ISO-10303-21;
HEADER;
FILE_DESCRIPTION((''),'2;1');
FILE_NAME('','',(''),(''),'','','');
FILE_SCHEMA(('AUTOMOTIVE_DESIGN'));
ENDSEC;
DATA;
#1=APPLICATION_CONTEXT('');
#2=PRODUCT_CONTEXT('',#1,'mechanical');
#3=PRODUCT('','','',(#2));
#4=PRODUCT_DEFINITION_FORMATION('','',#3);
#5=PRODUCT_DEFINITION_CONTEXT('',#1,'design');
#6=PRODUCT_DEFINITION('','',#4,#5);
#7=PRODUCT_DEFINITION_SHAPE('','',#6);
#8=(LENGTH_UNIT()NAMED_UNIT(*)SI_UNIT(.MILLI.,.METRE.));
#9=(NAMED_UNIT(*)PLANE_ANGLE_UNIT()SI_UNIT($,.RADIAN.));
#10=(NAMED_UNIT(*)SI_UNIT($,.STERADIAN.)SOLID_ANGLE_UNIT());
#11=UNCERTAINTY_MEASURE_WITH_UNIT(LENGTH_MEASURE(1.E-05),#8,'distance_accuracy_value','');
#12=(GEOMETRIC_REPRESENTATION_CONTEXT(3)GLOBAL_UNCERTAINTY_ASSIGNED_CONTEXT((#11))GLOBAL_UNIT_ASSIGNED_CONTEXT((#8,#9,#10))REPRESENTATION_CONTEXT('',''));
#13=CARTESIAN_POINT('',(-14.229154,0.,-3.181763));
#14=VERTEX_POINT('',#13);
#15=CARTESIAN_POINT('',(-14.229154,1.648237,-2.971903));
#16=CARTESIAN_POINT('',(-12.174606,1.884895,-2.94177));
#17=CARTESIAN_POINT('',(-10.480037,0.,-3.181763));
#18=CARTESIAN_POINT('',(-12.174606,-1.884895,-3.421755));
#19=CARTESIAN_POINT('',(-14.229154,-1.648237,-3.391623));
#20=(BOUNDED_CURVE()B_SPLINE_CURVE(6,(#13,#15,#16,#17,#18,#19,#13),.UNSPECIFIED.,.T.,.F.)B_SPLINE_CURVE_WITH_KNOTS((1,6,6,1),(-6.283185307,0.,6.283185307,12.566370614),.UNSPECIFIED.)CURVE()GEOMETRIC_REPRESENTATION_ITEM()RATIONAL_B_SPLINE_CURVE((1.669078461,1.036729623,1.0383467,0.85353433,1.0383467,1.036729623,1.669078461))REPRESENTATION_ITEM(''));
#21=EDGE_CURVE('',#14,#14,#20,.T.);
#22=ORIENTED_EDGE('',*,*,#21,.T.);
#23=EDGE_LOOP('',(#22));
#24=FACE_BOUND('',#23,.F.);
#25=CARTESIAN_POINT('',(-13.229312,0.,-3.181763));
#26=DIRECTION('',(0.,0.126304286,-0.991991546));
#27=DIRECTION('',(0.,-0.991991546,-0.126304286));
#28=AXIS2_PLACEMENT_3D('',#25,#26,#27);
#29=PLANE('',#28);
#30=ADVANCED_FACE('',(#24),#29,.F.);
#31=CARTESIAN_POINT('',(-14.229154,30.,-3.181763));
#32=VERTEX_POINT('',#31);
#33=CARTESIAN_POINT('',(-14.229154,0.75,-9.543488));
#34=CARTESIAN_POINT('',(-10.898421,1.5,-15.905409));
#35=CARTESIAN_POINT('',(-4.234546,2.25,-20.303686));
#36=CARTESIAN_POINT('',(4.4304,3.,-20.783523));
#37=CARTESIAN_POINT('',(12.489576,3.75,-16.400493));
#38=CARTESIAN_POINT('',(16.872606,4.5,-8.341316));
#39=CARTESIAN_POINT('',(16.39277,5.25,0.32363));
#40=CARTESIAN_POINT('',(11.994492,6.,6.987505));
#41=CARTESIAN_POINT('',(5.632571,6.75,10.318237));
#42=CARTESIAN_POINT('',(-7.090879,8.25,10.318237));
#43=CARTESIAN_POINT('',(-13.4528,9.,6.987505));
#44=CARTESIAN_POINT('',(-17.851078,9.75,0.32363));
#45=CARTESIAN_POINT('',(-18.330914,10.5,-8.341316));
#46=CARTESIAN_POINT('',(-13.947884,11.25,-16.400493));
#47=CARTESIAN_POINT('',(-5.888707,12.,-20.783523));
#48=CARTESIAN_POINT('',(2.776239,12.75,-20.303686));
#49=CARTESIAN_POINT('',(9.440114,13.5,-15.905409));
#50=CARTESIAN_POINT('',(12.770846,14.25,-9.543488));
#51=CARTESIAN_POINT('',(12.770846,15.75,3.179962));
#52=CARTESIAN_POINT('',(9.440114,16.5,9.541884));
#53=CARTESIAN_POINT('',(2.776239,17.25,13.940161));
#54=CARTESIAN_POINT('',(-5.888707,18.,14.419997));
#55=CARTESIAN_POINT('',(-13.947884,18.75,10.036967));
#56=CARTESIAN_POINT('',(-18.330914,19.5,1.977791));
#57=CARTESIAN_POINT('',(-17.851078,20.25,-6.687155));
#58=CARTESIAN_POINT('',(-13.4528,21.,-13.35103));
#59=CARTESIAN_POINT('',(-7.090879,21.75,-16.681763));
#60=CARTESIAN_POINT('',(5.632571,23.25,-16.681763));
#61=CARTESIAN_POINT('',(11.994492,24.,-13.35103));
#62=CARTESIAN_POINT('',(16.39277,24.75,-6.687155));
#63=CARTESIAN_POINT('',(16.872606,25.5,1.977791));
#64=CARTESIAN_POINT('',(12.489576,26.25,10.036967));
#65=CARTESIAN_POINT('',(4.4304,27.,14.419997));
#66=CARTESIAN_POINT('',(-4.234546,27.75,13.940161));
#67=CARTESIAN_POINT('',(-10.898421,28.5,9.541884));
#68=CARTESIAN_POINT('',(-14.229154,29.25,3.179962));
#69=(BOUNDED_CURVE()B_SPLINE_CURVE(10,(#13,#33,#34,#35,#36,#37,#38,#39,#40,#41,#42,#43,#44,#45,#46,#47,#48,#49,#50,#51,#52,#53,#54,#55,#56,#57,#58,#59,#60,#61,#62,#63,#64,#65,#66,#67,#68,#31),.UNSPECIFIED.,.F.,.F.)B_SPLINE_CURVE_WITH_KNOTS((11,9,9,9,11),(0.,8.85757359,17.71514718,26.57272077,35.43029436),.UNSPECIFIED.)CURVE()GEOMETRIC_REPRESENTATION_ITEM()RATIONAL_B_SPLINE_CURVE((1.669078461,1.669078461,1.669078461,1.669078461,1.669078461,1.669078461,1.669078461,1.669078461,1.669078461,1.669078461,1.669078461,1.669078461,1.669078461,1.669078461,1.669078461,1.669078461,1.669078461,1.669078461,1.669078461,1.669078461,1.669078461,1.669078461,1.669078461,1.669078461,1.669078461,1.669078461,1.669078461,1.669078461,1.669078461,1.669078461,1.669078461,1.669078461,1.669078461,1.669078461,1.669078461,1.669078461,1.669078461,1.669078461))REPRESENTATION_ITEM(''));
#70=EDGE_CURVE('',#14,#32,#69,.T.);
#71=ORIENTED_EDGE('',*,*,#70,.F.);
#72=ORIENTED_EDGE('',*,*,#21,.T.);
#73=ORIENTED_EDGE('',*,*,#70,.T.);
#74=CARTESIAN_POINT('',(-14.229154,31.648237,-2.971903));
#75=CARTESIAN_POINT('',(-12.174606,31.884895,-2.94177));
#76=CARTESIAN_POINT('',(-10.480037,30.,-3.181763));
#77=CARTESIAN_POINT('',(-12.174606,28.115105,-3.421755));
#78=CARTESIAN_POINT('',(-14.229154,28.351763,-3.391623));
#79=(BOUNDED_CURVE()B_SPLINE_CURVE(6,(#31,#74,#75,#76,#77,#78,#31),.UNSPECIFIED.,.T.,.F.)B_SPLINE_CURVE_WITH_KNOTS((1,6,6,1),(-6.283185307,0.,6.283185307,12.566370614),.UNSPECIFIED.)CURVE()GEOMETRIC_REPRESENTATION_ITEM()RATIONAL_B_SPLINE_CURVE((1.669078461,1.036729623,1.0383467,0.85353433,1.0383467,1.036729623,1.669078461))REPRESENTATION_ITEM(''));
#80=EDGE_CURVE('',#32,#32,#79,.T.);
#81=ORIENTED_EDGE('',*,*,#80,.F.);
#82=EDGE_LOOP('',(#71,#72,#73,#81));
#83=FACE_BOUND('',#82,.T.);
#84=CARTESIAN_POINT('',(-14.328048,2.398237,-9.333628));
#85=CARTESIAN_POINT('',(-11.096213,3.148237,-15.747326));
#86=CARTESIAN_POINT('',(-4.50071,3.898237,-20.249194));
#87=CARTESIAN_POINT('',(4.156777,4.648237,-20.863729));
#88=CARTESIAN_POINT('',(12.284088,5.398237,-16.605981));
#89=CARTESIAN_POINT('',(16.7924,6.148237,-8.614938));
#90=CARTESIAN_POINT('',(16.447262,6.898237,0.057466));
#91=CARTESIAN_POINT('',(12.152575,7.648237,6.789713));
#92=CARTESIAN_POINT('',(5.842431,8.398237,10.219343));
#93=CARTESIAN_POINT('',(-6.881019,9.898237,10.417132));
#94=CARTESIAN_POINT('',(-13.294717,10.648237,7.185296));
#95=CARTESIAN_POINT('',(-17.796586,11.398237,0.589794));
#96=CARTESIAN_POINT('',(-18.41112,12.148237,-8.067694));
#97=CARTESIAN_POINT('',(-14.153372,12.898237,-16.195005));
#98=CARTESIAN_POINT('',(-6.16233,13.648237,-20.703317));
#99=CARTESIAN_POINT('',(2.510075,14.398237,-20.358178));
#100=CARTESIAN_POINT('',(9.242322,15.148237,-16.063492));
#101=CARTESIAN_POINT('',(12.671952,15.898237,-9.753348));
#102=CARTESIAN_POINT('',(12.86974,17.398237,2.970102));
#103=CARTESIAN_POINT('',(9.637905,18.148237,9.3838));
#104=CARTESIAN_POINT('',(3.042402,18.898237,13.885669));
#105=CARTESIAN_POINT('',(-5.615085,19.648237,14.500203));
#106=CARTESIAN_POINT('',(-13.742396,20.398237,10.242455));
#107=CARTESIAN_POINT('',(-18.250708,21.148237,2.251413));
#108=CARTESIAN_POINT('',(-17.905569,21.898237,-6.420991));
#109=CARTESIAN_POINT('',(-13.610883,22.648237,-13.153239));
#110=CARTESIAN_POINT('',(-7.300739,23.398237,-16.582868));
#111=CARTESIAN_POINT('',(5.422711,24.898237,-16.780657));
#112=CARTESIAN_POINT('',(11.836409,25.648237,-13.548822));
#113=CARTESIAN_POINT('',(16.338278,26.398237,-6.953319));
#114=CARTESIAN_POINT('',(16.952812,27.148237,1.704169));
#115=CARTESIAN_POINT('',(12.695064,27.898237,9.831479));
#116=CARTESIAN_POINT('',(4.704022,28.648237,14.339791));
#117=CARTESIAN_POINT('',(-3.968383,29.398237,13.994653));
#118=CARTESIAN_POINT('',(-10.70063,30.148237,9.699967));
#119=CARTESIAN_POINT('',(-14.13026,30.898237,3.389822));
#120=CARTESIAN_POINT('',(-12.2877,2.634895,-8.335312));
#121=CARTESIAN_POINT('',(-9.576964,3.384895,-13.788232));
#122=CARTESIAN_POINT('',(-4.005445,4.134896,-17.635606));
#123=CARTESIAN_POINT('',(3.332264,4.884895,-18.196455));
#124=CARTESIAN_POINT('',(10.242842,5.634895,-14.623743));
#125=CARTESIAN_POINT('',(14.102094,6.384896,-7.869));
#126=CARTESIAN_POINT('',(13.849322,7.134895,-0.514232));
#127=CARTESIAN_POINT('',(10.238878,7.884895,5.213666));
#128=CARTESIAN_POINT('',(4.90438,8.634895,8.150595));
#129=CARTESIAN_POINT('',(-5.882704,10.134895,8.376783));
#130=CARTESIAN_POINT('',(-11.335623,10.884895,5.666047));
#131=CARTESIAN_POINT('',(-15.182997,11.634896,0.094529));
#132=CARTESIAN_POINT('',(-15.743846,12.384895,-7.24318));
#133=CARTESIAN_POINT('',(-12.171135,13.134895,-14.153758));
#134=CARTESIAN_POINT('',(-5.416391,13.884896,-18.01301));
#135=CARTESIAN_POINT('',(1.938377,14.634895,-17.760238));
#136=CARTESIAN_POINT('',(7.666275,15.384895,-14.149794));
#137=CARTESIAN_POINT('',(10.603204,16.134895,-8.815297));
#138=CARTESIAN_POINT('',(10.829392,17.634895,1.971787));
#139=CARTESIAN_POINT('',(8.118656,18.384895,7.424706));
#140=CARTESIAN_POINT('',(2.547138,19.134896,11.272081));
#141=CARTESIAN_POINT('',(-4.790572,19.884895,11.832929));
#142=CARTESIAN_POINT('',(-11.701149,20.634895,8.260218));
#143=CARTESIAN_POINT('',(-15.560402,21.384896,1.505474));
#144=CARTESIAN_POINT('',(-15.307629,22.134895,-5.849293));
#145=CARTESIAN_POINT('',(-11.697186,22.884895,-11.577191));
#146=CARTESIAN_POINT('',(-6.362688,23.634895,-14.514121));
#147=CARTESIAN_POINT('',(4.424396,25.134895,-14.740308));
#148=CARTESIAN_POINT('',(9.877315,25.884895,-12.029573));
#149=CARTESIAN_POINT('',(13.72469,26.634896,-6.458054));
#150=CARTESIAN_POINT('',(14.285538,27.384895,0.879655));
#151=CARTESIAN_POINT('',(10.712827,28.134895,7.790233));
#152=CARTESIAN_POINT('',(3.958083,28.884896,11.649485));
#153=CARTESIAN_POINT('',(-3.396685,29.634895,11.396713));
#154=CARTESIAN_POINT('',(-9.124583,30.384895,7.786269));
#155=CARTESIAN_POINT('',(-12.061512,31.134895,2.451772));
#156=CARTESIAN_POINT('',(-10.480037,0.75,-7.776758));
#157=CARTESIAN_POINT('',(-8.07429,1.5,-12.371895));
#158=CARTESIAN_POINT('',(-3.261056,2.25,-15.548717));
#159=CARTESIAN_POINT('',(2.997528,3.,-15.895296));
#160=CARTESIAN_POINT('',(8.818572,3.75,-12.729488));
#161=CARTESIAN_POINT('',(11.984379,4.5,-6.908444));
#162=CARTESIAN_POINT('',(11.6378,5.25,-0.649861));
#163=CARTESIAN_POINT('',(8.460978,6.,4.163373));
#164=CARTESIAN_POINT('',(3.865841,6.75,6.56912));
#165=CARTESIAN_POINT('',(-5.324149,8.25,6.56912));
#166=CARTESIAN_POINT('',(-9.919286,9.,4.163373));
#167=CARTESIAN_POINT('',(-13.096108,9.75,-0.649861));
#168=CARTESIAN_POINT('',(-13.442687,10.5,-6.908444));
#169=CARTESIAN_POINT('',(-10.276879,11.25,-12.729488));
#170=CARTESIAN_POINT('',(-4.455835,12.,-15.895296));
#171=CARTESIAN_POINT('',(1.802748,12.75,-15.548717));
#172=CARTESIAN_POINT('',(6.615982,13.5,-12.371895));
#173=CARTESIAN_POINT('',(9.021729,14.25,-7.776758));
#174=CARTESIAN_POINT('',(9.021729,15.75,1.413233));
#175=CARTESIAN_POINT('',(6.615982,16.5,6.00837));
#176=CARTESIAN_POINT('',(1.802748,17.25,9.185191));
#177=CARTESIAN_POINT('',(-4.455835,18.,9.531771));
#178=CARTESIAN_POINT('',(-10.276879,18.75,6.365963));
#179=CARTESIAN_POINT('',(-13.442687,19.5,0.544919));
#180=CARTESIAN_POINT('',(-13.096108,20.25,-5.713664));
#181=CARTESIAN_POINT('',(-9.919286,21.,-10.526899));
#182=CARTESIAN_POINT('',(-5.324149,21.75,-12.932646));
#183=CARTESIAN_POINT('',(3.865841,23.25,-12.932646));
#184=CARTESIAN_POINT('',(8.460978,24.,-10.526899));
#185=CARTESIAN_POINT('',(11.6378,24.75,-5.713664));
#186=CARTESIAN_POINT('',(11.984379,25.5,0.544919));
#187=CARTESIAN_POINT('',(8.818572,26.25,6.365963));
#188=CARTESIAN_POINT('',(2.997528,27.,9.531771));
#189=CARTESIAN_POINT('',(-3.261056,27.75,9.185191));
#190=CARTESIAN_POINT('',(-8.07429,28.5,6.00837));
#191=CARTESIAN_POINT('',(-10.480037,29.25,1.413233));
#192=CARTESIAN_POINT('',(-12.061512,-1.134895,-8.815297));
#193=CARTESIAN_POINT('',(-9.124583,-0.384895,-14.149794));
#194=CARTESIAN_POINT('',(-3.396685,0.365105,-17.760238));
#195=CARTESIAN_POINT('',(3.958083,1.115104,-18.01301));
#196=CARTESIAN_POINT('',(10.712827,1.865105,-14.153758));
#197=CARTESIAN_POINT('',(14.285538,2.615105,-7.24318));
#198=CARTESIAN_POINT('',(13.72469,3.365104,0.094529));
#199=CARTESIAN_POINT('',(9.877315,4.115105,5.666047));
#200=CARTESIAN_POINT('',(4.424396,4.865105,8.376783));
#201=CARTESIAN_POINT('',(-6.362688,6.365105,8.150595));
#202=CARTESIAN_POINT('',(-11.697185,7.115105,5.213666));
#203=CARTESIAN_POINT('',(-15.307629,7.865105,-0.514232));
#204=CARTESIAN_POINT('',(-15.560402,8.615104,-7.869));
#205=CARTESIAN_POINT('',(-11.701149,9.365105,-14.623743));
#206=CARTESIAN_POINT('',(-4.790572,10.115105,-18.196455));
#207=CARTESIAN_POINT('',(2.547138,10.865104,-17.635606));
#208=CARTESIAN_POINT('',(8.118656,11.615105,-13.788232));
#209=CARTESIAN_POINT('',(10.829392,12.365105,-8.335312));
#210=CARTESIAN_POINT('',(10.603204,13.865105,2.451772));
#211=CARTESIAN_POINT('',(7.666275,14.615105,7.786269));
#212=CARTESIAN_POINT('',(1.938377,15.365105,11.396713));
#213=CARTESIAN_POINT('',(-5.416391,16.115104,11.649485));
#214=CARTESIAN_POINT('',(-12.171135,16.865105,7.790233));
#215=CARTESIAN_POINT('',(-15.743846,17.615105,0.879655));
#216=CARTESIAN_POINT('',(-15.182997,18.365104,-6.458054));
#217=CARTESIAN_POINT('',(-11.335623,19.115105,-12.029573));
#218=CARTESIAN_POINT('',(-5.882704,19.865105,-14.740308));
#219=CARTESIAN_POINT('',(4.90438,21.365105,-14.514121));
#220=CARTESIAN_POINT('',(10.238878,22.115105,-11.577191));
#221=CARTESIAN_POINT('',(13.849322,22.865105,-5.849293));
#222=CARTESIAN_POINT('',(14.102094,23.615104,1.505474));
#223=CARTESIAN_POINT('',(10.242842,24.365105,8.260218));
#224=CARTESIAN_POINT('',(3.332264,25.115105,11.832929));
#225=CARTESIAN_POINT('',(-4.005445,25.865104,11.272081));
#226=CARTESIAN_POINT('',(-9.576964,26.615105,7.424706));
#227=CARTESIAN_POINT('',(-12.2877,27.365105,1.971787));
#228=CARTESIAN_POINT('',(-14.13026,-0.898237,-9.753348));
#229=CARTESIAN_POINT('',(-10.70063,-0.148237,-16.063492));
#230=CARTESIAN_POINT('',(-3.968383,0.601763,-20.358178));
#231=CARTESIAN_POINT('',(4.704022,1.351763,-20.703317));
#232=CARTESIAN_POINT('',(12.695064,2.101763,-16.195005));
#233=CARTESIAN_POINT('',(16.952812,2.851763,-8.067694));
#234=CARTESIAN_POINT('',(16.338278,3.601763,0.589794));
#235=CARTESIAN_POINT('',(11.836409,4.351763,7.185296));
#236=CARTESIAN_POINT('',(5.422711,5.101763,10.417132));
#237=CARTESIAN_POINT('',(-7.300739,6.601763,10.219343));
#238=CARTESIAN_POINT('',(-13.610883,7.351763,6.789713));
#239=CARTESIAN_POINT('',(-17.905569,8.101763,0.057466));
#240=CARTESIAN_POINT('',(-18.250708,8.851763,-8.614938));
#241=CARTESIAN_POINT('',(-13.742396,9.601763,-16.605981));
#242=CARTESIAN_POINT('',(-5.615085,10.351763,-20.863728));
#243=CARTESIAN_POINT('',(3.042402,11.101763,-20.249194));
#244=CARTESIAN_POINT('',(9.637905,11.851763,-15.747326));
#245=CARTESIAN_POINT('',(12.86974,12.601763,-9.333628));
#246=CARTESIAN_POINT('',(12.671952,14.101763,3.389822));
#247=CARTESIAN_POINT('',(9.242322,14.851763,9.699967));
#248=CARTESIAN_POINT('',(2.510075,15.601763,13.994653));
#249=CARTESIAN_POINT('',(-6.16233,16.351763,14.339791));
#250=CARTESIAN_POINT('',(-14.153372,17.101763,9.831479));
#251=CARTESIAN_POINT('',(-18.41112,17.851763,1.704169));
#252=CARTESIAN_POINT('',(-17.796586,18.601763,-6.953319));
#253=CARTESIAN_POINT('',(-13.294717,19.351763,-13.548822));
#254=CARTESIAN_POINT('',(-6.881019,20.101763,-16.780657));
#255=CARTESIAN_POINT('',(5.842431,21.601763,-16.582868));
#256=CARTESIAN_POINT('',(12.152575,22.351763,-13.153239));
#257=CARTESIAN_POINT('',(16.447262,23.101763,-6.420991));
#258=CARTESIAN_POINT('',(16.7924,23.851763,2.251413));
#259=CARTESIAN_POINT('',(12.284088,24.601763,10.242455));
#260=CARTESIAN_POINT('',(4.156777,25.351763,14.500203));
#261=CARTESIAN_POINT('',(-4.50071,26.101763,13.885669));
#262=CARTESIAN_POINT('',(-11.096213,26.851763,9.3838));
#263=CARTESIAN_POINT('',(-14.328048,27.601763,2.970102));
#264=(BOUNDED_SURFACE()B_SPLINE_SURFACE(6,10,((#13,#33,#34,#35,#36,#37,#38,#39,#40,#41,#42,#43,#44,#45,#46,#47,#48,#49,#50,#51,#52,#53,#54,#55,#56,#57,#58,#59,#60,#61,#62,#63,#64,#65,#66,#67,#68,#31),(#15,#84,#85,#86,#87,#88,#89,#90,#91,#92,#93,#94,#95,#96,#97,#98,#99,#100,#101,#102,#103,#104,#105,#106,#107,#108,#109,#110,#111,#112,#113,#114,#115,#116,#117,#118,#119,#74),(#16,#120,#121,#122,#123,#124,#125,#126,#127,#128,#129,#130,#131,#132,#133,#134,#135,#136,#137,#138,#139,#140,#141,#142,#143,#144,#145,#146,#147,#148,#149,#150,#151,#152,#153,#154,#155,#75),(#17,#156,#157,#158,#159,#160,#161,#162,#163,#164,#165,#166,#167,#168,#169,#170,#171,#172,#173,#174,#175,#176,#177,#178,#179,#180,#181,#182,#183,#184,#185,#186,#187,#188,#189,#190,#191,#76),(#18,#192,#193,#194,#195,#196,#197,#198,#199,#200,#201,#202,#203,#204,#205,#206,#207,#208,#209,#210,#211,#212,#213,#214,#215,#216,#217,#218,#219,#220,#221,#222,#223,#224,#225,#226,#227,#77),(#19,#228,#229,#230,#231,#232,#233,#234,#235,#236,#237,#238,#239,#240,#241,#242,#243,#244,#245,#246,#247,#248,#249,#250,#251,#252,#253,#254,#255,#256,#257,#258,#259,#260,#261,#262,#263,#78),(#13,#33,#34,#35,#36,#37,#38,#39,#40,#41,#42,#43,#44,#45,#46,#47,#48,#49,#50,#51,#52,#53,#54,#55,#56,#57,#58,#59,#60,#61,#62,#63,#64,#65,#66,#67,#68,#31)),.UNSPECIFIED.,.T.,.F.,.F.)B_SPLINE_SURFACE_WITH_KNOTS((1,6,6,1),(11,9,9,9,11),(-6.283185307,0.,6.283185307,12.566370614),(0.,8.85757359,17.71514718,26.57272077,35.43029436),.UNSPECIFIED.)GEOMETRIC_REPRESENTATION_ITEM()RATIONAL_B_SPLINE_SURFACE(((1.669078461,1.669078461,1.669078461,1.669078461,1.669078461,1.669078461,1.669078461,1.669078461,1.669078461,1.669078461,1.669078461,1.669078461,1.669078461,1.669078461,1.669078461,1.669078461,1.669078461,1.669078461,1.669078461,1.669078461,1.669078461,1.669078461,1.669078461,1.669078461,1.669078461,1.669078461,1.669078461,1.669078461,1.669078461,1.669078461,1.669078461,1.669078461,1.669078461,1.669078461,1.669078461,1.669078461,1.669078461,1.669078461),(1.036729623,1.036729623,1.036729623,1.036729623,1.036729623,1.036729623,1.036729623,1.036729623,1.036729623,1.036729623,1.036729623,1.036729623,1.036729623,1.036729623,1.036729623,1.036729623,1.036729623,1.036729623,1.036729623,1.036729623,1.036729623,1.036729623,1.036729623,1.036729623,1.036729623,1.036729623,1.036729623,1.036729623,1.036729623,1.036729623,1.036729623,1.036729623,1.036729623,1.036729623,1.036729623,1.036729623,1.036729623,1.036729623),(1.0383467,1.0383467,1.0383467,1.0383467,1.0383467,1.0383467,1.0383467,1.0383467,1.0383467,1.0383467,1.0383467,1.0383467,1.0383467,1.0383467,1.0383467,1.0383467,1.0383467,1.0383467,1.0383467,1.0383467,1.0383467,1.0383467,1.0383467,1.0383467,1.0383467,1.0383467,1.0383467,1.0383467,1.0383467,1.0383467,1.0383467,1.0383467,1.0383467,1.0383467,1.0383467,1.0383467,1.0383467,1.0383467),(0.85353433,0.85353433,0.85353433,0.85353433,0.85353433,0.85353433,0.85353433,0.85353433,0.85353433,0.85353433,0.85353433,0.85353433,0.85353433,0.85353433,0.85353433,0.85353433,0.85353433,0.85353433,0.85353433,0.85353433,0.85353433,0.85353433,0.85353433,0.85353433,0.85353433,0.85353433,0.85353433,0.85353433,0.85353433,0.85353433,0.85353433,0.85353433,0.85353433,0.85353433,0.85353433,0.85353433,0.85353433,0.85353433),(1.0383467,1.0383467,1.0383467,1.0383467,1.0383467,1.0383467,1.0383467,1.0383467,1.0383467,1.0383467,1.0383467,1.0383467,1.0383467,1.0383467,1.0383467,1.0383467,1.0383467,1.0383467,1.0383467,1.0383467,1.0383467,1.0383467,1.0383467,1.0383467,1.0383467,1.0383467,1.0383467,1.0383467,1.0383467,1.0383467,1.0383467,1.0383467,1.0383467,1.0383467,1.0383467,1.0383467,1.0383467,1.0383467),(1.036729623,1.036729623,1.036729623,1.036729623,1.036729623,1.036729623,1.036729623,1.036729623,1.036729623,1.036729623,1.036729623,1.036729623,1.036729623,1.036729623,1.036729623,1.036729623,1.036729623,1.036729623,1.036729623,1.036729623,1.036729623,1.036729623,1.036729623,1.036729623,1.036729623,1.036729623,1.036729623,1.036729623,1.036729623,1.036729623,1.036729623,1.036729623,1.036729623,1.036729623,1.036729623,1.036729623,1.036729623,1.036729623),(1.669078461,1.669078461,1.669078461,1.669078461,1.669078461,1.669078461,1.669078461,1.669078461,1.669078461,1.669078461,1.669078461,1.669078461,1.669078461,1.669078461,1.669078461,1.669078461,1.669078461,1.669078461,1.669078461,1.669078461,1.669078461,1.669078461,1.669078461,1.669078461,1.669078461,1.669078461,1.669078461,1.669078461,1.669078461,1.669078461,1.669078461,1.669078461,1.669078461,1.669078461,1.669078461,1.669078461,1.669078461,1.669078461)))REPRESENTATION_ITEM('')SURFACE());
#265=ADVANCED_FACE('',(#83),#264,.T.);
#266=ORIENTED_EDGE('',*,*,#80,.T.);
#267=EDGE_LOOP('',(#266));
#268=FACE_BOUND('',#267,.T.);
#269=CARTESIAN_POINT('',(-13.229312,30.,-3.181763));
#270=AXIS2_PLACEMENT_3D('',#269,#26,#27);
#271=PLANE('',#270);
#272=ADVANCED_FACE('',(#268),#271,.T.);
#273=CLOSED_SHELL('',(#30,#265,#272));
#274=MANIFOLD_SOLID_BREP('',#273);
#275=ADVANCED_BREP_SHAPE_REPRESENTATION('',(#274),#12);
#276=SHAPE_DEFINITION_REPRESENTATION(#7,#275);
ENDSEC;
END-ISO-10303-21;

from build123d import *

# Parameters (mm, degrees)
SWEEP4_PITCH       = 10
SWEEP4_HEIGHT      = 30
SWEEP4_RADIUS      = 12.5
SWEEP4_START_ANGLE = -90
SKETCH19_R         = 1


with BuildPart() as part:
    # Sweep4: sweep along a helix
    with BuildLine() as sweep4_path:
        add(Helix(SWEEP4_PITCH, SWEEP4_HEIGHT, SWEEP4_RADIUS, center=(-0.729153954, 0, -3.181762708), direction=(0, 1, 0), lefthand=True, mode=Mode.PRIVATE).rotate(Axis((-0.729153954, 0, -3.181762708), (0, 1, 0)), SWEEP4_START_ANGLE))
    # Sketch19 → Sweep4 (sweep)
    with BuildSketch(Plane(origin=(-13.229153954, 0, -3.181762708), x_dir=(-1, 0, 0), z_dir=(-1.058373334173284e-14, 0.12630428643414296, -0.9919915459460136))):
        Circle(SKETCH19_R)
    sweep(path=sweep4_path.line, is_frenet=True)


solid = part.part
